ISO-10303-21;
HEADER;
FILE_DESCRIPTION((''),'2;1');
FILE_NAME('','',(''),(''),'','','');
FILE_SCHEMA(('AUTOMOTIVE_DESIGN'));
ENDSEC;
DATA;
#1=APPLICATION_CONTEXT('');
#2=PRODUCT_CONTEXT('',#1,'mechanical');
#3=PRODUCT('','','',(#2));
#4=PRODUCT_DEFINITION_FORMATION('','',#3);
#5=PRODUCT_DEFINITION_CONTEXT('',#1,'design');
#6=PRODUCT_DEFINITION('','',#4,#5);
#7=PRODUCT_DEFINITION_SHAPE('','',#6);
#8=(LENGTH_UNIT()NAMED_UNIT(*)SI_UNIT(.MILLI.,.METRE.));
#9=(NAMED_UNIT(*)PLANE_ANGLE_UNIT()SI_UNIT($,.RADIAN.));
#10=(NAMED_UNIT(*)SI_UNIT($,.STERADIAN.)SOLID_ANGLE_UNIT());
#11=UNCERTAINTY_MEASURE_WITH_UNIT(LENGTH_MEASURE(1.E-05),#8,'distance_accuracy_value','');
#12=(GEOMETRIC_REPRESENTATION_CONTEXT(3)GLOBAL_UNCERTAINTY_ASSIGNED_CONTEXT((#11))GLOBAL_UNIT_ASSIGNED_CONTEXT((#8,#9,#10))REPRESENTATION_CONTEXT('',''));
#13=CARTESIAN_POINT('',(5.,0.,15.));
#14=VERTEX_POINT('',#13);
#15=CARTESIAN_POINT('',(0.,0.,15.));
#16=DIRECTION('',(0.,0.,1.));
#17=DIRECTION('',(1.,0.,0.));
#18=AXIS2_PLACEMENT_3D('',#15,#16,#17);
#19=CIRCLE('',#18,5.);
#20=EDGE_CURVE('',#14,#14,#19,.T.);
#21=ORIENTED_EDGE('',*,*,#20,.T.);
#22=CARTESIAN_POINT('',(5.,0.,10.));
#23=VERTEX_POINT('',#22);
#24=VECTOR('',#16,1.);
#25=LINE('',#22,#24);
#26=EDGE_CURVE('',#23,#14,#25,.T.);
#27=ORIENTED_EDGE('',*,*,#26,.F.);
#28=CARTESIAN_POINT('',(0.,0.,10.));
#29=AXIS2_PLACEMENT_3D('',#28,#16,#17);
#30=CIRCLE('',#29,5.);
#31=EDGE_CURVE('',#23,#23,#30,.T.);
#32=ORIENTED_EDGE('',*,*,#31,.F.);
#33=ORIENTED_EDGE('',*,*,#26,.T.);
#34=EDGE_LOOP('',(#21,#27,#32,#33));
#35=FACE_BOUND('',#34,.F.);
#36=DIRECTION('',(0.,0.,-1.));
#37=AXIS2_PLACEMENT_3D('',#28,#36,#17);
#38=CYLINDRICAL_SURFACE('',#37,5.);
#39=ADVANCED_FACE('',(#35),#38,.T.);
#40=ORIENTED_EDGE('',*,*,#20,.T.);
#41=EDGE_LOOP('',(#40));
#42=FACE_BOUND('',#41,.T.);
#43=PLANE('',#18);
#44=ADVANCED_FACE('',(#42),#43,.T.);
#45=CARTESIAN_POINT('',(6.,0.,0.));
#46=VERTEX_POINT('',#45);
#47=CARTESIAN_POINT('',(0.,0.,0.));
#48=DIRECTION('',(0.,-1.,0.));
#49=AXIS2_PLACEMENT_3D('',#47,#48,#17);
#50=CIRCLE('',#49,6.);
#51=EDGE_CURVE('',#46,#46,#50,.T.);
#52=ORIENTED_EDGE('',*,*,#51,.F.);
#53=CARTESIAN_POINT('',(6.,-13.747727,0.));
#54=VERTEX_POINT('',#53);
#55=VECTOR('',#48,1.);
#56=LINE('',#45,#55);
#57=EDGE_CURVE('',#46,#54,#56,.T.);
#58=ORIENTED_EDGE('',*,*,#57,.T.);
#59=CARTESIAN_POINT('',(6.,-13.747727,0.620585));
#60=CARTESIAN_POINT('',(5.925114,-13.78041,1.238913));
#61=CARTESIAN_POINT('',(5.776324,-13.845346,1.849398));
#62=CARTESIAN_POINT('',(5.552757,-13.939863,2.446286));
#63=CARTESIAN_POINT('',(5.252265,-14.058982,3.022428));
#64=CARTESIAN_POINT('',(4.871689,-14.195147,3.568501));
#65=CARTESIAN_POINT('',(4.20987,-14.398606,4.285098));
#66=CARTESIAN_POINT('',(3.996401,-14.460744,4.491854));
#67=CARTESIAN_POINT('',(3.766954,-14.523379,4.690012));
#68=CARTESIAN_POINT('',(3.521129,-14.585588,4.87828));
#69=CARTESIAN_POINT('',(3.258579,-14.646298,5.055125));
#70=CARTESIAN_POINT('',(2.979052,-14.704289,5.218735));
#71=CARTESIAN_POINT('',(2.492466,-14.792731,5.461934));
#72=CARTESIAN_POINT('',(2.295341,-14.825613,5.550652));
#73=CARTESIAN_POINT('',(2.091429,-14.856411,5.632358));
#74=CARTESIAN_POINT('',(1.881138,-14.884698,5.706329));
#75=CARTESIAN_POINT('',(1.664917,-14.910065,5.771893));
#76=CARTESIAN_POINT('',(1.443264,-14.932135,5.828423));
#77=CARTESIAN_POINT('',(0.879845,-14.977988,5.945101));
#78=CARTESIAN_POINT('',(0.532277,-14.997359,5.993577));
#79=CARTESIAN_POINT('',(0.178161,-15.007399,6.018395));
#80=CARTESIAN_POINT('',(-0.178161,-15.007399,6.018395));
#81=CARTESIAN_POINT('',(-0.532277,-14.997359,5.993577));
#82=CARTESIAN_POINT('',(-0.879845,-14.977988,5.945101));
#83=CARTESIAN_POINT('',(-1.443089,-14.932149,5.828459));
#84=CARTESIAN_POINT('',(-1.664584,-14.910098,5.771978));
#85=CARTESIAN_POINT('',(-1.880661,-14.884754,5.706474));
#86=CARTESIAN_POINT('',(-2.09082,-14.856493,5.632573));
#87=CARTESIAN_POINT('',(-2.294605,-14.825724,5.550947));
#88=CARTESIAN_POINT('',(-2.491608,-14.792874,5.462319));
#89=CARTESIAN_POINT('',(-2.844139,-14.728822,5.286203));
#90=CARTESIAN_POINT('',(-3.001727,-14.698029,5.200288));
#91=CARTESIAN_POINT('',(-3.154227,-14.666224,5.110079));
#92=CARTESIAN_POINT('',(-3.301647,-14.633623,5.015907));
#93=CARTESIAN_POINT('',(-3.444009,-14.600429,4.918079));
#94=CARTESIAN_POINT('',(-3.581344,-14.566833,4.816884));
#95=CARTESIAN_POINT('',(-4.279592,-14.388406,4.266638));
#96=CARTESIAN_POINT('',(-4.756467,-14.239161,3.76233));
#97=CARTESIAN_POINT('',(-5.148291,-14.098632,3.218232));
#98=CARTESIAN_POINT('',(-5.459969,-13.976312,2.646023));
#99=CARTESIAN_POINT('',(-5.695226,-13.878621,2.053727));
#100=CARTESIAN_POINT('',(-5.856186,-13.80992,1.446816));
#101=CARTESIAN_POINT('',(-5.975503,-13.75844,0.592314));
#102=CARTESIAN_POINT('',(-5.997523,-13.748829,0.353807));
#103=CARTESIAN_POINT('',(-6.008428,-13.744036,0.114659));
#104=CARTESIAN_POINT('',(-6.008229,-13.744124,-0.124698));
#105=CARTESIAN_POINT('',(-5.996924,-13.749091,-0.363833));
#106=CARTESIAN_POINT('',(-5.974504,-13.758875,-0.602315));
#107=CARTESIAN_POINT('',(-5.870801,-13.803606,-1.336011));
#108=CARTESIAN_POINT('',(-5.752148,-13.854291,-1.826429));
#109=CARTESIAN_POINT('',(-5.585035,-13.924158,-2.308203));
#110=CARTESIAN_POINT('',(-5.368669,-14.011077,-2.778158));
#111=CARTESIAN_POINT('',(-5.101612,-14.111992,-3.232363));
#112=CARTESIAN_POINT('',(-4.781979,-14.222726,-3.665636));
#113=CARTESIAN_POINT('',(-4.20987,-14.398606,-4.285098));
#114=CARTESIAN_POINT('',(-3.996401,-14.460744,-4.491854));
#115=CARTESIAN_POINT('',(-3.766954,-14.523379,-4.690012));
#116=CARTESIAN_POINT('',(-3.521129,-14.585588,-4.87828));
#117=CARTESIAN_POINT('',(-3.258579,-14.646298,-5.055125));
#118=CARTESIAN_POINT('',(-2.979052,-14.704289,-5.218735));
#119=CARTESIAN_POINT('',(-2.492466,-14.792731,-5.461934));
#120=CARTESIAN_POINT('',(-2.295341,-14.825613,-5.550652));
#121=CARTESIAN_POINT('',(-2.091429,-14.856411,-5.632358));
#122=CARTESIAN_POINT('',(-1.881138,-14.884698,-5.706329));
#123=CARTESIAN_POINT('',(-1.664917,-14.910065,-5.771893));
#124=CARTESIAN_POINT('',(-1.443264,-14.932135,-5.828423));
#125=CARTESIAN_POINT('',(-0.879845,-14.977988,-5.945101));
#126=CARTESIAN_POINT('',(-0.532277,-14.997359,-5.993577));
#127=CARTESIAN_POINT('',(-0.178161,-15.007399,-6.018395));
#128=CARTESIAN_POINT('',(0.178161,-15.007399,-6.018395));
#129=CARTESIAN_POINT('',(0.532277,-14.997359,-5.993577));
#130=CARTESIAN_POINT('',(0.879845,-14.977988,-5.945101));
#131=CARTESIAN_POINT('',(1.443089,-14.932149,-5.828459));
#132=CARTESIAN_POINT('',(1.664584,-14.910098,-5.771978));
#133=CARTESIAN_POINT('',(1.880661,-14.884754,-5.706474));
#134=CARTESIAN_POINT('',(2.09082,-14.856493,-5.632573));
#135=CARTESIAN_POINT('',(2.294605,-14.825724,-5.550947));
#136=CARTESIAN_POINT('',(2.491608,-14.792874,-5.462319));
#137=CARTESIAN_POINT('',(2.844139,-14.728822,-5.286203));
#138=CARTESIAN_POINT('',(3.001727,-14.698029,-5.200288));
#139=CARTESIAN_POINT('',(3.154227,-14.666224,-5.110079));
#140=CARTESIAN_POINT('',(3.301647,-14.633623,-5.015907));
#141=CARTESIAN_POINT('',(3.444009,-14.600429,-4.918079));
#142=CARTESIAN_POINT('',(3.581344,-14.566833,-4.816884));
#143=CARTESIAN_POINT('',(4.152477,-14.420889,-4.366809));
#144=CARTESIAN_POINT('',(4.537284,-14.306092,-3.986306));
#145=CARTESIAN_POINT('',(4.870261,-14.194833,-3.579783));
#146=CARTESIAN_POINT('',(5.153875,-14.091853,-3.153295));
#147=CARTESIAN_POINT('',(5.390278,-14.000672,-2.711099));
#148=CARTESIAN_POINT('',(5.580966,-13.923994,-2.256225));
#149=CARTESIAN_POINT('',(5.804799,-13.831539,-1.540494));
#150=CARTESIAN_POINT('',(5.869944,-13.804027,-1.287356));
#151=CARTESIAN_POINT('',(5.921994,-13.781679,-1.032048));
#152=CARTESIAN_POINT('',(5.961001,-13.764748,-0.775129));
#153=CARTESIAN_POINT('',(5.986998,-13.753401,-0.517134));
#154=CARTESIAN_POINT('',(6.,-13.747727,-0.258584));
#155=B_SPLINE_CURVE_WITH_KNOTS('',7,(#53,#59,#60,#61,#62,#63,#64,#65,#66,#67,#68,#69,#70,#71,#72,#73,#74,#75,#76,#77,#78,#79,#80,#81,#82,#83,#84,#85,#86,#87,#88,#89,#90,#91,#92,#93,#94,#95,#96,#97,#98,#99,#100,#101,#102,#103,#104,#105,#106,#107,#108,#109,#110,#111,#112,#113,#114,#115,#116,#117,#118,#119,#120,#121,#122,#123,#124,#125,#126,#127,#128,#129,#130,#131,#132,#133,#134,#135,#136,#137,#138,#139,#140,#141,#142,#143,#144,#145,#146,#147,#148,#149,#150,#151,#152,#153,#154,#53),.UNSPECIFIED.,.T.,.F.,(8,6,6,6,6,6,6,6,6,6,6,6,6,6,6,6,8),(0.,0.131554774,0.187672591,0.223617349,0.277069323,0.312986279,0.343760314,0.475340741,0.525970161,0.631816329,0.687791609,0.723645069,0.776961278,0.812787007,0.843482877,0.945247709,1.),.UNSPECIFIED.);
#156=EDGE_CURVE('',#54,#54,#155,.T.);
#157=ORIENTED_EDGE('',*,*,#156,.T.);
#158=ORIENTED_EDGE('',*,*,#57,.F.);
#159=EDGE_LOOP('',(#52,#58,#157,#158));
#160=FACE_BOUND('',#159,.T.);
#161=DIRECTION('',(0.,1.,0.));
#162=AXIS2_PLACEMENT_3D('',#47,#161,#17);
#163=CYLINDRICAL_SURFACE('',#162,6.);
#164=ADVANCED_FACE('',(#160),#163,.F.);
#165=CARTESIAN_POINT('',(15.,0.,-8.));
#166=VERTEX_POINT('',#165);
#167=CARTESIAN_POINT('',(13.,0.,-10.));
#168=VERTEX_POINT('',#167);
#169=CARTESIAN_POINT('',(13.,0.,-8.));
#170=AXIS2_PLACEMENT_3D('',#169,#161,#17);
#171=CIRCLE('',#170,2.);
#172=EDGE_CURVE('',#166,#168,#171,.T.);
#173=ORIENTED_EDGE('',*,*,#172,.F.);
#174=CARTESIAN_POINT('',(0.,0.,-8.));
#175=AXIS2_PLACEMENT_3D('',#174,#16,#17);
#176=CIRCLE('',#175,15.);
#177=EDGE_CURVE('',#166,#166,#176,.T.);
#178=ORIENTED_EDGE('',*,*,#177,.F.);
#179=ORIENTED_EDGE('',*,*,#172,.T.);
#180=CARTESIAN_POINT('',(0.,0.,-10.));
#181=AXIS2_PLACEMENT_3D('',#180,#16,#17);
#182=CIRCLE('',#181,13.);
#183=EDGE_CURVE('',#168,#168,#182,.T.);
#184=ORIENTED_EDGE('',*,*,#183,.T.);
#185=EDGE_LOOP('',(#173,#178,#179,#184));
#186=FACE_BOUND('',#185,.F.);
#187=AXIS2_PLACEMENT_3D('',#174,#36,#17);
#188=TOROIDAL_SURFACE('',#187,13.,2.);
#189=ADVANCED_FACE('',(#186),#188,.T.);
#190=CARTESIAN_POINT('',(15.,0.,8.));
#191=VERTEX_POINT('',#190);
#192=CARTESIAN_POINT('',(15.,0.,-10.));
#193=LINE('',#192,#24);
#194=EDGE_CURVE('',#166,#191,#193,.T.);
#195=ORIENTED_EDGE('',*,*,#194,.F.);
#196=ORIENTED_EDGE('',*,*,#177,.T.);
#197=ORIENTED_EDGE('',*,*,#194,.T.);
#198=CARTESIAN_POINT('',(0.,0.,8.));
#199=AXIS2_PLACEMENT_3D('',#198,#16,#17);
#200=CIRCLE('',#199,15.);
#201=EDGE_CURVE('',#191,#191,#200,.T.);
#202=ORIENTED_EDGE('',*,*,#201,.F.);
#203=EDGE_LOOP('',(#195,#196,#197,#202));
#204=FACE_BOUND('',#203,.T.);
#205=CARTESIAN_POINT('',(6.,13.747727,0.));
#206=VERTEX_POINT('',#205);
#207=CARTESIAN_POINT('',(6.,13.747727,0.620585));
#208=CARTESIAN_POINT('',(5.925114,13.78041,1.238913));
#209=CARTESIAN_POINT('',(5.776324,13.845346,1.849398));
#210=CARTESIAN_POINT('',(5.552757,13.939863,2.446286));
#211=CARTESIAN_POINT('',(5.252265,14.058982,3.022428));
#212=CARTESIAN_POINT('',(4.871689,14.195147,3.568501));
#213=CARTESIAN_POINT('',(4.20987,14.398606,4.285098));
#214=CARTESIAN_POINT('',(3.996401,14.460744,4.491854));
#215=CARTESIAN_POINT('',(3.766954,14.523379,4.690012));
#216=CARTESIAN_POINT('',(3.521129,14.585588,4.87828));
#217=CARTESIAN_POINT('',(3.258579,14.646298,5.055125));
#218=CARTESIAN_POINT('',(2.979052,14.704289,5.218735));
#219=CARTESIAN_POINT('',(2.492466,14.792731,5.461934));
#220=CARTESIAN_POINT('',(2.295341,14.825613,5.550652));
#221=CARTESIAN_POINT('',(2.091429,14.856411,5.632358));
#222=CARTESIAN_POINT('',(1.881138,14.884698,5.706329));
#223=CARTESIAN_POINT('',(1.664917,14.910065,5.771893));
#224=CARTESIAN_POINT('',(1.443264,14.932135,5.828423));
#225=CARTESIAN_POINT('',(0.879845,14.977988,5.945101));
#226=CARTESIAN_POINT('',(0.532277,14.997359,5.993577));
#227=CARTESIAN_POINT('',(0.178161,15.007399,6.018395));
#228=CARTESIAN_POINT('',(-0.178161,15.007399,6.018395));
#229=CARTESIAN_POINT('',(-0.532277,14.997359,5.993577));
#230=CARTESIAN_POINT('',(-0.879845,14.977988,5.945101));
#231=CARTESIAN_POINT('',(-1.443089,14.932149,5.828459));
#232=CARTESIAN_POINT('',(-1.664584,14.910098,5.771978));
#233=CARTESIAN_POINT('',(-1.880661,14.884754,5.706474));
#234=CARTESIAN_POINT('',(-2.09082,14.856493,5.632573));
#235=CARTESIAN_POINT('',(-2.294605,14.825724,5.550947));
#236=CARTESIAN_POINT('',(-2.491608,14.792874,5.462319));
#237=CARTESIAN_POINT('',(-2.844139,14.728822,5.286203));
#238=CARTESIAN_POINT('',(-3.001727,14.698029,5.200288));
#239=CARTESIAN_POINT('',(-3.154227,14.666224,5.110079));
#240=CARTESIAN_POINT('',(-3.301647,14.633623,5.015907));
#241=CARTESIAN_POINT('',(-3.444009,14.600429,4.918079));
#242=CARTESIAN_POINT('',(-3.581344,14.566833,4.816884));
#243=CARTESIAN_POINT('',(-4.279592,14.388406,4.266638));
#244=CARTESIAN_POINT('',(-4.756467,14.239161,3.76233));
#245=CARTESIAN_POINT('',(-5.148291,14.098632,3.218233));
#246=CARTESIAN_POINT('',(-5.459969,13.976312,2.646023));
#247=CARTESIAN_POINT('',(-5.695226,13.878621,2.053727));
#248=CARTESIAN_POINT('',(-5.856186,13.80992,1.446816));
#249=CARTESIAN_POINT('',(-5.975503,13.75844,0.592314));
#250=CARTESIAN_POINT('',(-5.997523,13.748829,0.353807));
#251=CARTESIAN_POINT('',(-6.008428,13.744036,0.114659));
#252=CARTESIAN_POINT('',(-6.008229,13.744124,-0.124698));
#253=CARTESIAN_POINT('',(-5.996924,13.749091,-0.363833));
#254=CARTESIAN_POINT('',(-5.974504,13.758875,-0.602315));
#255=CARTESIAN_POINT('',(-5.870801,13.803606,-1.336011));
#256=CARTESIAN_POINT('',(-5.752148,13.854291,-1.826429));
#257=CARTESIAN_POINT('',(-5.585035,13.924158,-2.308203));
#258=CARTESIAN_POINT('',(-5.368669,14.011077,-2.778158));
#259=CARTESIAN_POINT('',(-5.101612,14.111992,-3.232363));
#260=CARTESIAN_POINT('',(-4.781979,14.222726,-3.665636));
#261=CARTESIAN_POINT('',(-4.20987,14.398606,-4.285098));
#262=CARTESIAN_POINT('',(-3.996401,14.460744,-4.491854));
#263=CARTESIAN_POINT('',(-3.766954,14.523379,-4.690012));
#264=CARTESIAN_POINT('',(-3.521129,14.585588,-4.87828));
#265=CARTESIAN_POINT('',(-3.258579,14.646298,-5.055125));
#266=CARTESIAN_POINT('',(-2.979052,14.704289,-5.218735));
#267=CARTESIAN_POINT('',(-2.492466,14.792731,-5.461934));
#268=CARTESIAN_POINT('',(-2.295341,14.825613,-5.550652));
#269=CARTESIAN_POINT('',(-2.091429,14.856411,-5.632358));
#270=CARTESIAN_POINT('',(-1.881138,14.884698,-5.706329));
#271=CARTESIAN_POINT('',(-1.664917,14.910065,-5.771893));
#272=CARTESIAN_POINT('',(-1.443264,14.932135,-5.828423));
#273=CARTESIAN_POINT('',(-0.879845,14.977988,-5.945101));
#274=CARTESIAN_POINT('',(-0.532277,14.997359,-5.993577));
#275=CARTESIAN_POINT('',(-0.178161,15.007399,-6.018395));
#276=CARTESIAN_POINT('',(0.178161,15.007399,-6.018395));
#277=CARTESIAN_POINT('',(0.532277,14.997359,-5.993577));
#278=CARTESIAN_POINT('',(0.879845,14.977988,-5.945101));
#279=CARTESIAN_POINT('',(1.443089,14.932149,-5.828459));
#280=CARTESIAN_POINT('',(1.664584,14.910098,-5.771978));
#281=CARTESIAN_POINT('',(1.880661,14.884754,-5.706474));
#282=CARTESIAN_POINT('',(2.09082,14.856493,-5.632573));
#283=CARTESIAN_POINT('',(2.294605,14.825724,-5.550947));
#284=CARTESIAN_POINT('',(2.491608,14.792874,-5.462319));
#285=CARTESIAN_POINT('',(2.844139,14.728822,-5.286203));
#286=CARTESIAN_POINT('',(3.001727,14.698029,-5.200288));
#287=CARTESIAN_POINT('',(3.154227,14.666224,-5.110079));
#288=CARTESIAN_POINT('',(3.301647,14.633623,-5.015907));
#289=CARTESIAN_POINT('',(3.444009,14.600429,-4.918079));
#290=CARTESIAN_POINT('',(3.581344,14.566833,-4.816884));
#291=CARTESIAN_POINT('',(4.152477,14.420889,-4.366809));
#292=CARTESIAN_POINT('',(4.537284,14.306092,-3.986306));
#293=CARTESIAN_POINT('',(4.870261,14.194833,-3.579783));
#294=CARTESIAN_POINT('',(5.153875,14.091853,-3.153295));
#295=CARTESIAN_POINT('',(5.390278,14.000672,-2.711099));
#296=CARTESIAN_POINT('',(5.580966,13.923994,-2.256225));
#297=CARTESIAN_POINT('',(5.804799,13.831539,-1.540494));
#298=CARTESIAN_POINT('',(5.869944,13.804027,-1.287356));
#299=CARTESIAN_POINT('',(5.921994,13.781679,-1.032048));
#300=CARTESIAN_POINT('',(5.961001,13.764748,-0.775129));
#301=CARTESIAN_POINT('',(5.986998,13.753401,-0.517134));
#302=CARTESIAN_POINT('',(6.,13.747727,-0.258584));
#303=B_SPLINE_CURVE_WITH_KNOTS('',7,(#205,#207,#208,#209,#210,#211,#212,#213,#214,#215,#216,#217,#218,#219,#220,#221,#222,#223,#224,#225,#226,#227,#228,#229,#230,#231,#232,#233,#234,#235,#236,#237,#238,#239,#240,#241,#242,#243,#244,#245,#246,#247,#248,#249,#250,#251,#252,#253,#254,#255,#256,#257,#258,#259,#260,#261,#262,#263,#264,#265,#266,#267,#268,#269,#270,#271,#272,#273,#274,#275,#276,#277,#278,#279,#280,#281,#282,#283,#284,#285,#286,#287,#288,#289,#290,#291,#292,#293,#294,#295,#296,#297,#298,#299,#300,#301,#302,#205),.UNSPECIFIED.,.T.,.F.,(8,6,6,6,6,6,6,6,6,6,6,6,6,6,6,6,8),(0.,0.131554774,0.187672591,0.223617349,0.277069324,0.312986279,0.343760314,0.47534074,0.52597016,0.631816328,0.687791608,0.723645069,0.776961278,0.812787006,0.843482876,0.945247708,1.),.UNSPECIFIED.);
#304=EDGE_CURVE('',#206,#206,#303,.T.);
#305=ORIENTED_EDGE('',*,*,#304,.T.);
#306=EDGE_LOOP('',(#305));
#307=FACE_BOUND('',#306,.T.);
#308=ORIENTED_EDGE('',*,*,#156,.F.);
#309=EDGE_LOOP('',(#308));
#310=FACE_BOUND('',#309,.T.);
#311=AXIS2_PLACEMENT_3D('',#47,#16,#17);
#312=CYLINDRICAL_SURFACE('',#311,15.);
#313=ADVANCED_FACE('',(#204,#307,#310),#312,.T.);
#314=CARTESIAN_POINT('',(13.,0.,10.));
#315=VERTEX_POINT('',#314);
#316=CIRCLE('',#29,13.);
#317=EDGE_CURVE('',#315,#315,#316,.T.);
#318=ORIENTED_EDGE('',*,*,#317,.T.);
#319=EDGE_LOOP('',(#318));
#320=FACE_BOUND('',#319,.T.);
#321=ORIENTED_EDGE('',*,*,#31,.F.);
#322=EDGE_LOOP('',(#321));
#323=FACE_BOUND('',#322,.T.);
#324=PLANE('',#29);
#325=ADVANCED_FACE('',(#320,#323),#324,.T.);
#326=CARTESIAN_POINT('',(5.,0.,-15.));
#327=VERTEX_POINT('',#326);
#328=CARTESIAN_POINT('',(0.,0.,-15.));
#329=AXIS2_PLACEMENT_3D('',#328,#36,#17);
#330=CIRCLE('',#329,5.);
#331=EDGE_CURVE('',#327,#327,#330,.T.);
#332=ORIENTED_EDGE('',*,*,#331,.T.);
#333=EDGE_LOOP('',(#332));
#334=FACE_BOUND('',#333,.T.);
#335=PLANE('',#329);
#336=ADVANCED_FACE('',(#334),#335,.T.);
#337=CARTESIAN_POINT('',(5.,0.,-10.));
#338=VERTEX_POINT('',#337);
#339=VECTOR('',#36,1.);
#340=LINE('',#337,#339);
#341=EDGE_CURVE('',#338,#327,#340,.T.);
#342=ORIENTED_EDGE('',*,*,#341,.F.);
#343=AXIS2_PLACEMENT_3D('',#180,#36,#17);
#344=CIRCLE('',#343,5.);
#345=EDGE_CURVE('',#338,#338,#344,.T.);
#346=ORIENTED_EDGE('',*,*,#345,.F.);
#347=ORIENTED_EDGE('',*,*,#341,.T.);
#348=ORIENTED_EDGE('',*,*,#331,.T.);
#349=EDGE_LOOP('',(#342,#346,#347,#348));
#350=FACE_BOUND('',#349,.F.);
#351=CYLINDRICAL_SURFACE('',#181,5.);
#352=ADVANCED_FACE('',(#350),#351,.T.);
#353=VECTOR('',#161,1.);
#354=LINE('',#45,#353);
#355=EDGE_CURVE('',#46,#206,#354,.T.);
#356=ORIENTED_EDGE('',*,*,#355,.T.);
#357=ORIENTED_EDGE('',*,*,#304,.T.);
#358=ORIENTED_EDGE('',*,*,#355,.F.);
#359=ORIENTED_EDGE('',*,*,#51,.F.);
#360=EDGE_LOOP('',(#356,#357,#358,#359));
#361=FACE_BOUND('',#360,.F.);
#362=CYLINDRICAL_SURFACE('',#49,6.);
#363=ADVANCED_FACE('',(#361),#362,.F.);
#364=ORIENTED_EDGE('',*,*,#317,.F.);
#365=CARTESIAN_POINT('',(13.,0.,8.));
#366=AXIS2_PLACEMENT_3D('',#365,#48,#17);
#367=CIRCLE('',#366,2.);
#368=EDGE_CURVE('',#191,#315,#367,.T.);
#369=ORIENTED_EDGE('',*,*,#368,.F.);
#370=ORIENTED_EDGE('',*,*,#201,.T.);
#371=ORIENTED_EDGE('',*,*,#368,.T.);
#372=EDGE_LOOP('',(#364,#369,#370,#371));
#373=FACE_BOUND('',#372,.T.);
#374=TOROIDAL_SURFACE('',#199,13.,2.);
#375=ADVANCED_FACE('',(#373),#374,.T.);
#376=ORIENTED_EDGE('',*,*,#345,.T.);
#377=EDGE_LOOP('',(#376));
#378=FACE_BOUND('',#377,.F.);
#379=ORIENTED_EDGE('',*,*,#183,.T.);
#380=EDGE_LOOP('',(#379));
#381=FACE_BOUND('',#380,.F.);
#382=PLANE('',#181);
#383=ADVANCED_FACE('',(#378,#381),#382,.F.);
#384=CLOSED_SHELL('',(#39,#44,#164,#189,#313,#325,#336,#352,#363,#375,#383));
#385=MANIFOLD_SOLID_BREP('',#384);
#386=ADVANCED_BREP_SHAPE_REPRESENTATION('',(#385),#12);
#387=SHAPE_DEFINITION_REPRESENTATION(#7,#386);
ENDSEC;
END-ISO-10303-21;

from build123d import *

# Parameters (mm, degrees)
F0_R          = 15
F1_DEPTH      = 10
F2_R          = 2
F3_R          = 5
F4_DEPTH      = 5
F5_R          = 5
F6_DEPTH      = 5
F7_R          = 6
F8_DEPTH      = 15.001
F8_DEPTH_BACK = 15.001


with BuildPart() as f1:
    # F0 (on Top) → F1 (new body, symmetric)
    with BuildSketch(Plane.XY):
        Circle(F0_R)
    extrude(amount=F1_DEPTH, both=True)

    # F2
    f2_edges = [f1.edges().sort_by_distance(p)[0] for p in [
        (-15, 0, 10),
        (-15, 0, -10),
    ]]
    fillet(f2_edges, radius=F2_R)

    # F3 (on face) → F4 (join)
    with BuildSketch(Plane.XY.offset(10)):
        Circle(F3_R)
    extrude(amount=F4_DEPTH)

    # F5 (on face) → F6 (join)
    with BuildSketch(Plane(origin=(0, 0, -10), x_dir=(1, 0, 0), z_dir=(0, 0, -1))):
        Circle(F5_R)
    extrude(amount=F6_DEPTH)

    # F7 (on Front) → F8 (cut, two sides)
    with BuildSketch(Plane.XZ) as f8_sk:
        Circle(F7_R)
    extrude(amount=F8_DEPTH, mode=Mode.SUBTRACT)
    extrude(f8_sk.sketch, amount=-F8_DEPTH_BACK, mode=Mode.SUBTRACT)


solid = f1.part
